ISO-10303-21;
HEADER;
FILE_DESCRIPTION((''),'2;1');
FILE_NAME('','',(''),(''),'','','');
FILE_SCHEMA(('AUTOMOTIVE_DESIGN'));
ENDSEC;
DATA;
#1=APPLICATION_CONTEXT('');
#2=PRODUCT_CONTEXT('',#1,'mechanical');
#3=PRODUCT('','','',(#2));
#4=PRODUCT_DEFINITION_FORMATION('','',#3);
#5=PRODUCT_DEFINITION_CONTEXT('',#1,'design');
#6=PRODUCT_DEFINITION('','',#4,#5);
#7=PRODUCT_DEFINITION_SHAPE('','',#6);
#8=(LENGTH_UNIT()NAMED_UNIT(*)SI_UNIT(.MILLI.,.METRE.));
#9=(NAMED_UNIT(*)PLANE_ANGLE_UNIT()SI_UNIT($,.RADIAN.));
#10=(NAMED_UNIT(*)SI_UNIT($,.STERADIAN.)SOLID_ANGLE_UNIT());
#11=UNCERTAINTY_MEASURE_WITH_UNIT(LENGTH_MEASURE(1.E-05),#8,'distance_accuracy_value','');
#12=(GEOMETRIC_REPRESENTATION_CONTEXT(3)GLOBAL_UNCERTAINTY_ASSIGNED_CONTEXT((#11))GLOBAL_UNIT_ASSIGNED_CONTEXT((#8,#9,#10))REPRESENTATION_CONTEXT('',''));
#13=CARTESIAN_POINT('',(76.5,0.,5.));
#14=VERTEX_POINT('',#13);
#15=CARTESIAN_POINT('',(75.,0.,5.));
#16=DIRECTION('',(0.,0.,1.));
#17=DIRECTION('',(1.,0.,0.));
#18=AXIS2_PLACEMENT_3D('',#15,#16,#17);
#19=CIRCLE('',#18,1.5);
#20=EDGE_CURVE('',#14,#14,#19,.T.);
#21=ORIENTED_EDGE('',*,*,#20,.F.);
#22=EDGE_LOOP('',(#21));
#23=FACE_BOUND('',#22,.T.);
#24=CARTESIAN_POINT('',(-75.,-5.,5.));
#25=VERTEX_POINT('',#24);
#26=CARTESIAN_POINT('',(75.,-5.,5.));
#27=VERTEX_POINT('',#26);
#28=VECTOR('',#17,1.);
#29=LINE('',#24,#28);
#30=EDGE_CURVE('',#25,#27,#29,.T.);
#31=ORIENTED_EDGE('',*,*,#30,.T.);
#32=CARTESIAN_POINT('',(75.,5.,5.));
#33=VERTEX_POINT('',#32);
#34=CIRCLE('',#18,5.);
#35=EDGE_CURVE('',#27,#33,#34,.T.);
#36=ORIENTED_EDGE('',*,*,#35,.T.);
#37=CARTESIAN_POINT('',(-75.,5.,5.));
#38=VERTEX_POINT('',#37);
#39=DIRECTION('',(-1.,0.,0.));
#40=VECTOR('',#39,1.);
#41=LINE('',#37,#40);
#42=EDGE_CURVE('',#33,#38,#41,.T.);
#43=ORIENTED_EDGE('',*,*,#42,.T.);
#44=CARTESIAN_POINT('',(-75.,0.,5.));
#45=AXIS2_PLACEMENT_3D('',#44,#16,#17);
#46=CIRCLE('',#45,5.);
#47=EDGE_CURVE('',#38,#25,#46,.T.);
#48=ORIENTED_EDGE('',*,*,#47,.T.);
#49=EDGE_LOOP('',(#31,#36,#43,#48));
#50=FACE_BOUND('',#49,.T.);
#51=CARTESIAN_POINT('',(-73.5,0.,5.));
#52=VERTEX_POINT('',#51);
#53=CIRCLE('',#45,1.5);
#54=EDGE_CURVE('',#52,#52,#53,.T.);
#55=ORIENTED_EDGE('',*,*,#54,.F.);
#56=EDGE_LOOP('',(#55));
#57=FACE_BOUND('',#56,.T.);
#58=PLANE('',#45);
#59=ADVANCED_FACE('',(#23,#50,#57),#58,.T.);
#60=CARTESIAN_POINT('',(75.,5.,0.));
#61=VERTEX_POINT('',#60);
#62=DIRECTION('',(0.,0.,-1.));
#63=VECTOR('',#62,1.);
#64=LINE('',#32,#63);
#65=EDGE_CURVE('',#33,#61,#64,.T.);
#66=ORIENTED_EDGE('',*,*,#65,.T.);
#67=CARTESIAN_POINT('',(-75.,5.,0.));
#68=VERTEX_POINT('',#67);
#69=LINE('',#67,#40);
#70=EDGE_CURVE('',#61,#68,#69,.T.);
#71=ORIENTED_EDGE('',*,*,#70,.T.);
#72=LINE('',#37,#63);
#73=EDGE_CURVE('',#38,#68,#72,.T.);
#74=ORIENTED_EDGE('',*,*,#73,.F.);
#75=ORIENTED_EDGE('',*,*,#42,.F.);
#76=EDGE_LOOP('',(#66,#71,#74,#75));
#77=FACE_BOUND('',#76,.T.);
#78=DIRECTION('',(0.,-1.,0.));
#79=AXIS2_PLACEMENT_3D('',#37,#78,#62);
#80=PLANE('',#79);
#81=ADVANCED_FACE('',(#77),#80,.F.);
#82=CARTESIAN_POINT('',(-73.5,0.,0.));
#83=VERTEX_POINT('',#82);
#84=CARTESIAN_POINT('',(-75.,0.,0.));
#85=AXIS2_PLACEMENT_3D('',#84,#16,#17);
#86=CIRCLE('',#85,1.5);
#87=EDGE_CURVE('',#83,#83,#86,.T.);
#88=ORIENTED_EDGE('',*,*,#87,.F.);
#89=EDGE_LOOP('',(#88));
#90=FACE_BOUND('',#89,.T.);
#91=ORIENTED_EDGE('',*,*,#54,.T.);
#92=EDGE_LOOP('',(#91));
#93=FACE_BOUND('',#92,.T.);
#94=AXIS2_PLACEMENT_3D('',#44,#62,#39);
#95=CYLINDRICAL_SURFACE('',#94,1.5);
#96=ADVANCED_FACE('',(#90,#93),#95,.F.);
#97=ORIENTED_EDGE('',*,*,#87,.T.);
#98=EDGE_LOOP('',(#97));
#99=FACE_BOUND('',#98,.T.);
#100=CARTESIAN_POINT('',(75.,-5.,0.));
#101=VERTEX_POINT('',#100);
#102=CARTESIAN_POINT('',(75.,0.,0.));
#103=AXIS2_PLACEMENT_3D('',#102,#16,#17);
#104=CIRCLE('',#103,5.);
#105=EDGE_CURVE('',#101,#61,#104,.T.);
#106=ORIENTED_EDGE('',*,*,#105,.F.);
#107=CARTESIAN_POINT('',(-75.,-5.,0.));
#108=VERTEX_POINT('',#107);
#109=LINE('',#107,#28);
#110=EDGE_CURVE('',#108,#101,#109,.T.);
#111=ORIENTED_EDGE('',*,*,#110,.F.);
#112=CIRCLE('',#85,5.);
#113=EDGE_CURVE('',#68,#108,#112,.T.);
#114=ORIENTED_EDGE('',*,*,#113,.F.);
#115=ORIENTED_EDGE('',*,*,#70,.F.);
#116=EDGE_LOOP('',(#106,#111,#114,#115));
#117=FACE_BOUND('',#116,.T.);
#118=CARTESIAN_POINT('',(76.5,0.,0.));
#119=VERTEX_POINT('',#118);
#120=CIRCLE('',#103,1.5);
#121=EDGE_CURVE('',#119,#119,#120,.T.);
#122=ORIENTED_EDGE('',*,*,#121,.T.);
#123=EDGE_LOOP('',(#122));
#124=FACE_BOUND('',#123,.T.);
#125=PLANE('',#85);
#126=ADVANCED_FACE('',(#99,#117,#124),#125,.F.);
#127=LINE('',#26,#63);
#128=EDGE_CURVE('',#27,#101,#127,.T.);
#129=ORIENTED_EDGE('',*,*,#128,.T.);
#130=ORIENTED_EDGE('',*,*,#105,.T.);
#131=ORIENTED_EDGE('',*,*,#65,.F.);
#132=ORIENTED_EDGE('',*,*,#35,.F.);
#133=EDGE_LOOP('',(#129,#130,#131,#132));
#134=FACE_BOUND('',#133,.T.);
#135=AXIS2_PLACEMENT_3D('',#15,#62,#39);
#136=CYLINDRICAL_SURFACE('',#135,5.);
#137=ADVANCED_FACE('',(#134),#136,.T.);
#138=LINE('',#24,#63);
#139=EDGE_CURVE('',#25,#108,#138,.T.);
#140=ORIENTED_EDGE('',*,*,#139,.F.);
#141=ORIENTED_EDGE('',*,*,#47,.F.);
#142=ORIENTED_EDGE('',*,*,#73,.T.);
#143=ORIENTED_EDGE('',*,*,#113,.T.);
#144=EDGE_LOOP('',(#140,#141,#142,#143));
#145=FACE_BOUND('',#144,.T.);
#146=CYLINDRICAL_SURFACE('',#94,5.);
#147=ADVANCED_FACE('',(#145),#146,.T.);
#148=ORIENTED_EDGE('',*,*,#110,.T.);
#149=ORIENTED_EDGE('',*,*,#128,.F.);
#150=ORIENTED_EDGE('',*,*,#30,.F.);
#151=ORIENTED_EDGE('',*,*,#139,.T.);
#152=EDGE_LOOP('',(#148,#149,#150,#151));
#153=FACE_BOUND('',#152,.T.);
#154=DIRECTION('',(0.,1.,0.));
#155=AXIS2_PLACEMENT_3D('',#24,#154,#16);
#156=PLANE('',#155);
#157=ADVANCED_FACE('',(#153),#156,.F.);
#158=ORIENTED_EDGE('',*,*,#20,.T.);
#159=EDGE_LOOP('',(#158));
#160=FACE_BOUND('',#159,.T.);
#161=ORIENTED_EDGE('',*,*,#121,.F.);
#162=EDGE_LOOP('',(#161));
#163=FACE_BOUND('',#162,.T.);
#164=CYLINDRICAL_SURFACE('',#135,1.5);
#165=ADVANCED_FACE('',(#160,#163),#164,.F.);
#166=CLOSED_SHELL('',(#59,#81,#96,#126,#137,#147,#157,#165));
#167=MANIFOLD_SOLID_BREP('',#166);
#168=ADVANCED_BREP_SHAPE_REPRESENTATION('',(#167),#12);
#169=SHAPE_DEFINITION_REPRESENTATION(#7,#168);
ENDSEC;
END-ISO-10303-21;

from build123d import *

# Parameters (mm, degrees)
ESQUISSE1_R        = 1.5
BOSS_EXTRU_1_DEPTH = 5


with BuildPart() as part:
    # Esquisse1 → Boss.-Extru.1 (new body)
    with BuildSketch(Plane.XY):
        with BuildLine():
            Line((-75, 5), (75, 5))
            ThreePointArc((75, 5), (80, 0), (75, -5))
            Line((75, -5), (-75, -5))
            ThreePointArc((-75, -5), (-80, 0), (-75, 5))
        make_face()
        with Locations((-75, 0)):
            Circle(ESQUISSE1_R, mode=Mode.SUBTRACT)
        with Locations((75, 0)):
            Circle(ESQUISSE1_R, mode=Mode.SUBTRACT)
    extrude(amount=BOSS_EXTRU_1_DEPTH)


solid = part.part
